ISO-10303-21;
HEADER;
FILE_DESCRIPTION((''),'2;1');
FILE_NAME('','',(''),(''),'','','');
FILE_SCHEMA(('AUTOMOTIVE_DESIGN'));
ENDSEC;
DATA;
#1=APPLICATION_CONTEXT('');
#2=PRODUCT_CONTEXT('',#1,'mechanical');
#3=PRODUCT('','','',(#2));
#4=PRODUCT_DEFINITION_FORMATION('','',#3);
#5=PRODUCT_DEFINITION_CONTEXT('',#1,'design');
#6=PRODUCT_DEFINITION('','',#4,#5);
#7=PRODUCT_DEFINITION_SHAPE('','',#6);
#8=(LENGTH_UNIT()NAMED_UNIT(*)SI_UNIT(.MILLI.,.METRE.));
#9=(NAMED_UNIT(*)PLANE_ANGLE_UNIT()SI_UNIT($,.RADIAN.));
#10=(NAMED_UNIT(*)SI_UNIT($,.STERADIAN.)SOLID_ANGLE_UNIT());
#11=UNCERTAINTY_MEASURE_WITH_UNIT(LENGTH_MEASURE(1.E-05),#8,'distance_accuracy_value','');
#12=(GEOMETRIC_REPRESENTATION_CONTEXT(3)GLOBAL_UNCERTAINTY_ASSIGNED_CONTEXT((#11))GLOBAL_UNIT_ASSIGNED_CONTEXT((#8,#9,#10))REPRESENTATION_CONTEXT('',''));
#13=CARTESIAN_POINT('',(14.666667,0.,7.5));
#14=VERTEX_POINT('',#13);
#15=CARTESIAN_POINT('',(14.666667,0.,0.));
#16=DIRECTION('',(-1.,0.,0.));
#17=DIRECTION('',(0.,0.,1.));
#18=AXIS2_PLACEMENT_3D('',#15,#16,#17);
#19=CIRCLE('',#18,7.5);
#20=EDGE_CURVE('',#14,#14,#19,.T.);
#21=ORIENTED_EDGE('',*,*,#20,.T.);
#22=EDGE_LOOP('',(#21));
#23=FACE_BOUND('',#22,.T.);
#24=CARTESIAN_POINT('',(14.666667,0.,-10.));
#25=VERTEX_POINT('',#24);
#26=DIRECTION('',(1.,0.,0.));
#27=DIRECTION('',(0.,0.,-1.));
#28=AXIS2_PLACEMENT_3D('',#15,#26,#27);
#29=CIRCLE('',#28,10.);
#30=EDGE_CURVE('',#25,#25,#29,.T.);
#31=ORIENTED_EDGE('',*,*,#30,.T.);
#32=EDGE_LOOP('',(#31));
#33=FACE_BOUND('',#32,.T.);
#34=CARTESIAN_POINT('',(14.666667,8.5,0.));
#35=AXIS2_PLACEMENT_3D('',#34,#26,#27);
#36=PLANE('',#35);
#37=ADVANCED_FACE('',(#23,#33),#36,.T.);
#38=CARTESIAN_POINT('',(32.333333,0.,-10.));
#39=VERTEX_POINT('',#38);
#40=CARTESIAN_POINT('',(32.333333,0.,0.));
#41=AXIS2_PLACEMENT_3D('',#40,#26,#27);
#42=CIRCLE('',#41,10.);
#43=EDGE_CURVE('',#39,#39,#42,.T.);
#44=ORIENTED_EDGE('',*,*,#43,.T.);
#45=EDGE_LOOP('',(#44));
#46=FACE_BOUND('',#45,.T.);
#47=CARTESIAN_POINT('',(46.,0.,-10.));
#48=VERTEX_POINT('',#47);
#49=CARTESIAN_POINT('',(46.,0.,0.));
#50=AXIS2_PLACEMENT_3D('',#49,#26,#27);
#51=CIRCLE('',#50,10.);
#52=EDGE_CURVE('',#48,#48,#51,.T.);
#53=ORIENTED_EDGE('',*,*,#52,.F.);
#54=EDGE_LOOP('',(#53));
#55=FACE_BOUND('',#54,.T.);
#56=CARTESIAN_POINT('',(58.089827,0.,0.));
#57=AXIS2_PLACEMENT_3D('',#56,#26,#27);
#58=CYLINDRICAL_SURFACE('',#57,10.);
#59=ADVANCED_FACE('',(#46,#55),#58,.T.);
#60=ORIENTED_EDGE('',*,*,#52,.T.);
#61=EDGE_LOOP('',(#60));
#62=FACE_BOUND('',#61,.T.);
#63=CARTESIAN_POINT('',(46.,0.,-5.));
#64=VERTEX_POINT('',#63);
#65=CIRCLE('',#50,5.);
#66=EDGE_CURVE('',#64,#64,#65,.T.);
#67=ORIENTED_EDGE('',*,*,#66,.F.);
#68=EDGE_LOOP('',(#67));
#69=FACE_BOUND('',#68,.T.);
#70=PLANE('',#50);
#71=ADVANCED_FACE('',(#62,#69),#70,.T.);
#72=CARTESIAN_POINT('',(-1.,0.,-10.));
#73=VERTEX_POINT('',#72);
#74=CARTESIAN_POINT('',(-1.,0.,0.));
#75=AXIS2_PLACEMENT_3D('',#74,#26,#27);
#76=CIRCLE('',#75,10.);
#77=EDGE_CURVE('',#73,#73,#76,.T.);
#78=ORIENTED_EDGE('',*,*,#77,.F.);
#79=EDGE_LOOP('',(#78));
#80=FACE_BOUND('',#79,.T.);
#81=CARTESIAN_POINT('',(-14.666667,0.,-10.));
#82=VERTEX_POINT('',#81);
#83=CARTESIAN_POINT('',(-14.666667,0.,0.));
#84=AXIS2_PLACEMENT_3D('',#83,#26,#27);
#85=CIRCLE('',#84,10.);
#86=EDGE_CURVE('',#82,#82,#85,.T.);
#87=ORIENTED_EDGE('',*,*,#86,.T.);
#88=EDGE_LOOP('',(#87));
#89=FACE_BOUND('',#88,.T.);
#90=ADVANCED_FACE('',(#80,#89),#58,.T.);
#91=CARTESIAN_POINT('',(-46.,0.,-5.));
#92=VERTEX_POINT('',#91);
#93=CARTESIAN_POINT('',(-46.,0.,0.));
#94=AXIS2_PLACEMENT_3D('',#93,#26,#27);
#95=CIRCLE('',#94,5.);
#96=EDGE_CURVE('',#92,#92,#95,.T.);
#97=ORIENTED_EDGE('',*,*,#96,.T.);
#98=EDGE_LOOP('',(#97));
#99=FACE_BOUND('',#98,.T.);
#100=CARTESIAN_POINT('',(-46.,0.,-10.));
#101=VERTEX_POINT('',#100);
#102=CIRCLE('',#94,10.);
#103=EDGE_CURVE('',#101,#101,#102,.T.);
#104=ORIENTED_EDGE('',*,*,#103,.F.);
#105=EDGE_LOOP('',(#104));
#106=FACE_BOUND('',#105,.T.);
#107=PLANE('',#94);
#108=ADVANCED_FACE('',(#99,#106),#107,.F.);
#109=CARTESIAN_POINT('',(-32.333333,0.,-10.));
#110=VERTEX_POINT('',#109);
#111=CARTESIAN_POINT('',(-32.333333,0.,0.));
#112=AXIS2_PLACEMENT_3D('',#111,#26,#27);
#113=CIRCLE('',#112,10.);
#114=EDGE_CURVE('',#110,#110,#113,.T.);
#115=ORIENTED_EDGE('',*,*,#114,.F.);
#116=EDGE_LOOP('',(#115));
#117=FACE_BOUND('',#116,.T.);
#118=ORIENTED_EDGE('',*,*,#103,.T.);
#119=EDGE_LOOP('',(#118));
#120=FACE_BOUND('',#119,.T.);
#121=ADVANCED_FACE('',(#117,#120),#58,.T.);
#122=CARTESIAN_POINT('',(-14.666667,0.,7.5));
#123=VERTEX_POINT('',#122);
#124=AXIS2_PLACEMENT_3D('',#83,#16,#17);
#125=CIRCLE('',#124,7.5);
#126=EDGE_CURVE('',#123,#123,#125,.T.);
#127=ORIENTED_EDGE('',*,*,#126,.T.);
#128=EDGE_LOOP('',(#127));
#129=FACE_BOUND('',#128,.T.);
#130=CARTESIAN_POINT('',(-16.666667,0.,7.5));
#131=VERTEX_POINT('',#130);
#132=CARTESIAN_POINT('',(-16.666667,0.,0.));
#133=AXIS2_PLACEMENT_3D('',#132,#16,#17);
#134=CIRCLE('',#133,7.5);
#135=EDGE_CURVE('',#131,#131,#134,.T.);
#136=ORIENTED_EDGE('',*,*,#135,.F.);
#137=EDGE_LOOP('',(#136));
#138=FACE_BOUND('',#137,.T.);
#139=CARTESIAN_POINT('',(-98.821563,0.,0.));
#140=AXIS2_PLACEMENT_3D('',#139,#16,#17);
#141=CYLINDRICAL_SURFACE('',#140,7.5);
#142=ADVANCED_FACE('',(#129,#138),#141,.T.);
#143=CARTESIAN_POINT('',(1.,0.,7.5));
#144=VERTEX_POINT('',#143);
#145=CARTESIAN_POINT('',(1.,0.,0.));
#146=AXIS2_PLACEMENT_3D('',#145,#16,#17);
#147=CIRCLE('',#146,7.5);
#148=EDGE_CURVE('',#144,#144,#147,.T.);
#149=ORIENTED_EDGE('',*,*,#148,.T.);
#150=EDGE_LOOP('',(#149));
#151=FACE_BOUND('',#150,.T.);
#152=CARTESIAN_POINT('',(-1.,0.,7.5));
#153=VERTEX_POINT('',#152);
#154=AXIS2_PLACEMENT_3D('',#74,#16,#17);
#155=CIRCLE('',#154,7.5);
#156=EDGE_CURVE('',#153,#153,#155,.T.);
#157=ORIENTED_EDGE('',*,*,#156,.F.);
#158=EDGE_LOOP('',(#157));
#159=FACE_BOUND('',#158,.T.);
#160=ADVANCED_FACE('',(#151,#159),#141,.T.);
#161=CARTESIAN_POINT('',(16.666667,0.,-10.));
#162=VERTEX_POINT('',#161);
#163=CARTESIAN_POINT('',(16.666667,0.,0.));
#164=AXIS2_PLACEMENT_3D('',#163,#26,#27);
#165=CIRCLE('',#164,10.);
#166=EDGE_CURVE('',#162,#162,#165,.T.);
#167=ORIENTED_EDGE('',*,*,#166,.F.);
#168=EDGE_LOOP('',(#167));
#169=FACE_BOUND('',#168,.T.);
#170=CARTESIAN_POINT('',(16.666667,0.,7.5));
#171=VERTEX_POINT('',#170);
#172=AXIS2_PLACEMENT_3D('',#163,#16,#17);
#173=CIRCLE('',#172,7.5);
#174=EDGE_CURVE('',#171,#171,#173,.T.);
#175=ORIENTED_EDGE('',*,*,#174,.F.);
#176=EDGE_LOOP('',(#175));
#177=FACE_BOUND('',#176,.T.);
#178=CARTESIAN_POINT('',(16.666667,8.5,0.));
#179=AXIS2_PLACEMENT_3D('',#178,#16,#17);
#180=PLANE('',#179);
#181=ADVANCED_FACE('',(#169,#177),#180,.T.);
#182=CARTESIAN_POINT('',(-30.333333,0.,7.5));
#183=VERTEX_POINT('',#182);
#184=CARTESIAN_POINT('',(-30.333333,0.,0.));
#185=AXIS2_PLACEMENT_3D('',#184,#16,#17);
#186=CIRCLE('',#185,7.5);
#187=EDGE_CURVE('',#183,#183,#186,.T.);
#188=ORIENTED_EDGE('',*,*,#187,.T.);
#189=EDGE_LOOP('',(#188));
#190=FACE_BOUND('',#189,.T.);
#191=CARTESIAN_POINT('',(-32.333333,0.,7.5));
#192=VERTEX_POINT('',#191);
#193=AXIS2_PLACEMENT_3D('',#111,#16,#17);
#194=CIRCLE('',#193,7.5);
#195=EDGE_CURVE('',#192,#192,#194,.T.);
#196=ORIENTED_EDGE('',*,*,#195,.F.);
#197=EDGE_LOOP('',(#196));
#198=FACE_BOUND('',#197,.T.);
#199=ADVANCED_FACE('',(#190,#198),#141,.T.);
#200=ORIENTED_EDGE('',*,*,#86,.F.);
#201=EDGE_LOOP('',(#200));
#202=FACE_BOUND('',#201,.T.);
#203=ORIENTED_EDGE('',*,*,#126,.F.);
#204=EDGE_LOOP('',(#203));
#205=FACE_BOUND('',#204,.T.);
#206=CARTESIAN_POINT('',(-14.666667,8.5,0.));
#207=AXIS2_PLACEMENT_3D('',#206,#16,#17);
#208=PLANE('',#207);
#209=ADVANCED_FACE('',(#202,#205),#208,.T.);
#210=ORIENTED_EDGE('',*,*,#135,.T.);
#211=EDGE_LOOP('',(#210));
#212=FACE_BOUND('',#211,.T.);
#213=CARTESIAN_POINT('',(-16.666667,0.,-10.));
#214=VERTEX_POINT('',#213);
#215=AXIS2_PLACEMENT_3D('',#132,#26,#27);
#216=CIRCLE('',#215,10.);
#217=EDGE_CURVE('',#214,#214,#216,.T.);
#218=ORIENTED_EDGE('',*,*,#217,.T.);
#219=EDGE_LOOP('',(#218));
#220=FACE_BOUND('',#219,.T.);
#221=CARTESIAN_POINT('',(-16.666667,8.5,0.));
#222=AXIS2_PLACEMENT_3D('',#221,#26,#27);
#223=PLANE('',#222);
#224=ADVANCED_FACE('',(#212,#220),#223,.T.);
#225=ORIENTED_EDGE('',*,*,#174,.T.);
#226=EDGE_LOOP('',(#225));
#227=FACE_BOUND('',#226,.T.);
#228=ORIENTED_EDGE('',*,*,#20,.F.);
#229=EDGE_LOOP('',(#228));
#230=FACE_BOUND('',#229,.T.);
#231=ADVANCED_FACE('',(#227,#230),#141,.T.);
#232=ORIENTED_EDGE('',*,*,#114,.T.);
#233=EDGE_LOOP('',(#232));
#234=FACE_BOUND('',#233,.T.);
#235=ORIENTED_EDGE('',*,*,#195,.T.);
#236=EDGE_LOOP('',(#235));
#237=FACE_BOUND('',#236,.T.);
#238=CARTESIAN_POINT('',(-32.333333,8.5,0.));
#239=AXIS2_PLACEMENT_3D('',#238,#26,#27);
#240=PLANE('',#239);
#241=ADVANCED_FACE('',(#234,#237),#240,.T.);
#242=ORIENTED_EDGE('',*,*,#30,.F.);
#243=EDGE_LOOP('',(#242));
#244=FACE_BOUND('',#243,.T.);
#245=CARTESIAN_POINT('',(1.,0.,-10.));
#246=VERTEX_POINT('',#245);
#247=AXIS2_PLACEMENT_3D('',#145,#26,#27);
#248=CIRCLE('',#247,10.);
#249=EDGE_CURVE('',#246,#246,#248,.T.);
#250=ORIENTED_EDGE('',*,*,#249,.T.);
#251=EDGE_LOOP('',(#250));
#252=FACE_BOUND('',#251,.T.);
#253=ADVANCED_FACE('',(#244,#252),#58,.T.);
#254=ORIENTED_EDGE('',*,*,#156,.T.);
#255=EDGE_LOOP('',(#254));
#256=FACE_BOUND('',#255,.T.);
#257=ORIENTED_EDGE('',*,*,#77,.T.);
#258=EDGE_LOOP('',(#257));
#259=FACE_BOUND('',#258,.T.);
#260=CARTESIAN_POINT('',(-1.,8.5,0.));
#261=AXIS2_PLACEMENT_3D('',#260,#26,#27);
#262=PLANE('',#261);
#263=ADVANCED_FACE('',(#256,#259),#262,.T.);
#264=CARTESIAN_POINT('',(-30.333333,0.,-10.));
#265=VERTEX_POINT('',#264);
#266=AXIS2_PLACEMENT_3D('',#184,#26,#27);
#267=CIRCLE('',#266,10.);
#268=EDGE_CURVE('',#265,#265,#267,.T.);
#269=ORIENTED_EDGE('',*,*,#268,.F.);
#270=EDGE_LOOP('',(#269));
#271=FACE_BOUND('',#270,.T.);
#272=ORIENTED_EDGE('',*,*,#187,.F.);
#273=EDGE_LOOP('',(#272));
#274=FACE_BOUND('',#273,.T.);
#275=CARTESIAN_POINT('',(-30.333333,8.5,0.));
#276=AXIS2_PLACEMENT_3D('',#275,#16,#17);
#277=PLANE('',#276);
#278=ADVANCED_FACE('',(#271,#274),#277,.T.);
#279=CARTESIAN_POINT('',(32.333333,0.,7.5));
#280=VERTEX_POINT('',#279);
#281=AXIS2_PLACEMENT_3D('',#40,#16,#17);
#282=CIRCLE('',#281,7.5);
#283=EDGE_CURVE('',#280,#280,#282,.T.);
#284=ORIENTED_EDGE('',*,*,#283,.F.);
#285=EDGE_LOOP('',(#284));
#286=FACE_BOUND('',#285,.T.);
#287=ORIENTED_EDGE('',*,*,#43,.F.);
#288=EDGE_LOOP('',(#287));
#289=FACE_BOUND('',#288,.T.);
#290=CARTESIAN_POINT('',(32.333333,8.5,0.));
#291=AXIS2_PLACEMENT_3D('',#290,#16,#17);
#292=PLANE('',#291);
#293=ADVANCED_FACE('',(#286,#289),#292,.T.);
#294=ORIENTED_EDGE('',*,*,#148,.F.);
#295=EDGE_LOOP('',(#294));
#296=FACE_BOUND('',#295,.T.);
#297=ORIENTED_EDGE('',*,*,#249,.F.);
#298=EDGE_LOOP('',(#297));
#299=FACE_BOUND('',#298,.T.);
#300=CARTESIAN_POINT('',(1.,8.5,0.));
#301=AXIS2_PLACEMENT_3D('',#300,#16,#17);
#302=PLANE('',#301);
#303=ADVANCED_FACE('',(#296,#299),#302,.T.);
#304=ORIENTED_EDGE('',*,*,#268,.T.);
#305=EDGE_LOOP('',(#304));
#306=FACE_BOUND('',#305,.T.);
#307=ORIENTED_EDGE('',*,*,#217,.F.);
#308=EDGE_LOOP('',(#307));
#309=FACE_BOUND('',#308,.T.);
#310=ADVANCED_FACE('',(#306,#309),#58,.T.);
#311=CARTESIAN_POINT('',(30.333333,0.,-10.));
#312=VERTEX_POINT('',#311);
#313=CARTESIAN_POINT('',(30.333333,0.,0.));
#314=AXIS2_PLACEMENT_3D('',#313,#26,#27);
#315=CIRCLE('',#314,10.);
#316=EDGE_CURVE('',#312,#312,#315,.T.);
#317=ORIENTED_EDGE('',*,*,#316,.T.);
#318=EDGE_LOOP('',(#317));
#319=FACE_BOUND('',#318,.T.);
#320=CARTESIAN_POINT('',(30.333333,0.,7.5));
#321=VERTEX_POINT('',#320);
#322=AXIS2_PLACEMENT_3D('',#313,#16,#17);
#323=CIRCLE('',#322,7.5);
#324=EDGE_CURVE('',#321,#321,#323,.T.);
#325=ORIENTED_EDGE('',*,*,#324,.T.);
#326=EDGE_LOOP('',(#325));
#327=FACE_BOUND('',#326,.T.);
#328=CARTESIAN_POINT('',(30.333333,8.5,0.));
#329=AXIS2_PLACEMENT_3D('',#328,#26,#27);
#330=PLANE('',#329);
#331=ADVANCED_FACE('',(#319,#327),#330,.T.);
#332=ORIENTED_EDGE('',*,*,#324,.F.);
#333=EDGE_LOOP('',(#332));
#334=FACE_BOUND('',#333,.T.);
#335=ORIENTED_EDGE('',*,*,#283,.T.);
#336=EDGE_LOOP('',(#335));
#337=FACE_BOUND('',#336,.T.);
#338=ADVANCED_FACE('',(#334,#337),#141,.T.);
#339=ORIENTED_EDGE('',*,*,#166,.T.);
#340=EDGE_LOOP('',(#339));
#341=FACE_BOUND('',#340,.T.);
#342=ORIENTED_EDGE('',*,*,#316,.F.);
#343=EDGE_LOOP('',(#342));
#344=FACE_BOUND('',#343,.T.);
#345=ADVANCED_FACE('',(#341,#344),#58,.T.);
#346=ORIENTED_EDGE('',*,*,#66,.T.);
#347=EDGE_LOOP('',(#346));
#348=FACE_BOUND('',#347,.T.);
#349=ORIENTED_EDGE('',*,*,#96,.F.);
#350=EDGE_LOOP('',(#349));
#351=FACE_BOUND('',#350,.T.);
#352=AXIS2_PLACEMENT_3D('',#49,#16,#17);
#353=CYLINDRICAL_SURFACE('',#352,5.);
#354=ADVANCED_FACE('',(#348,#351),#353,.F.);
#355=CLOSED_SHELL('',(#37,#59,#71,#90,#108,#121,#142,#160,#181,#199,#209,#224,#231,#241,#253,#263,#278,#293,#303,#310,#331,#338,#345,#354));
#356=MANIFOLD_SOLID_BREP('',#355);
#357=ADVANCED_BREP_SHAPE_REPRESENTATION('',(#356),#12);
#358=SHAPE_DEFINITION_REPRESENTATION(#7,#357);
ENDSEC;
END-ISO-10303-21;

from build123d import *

# Parameters (mm, degrees)
SKETCH_1_R      = 8.5
SKETCH_1_R_2    = 5
EXTRUDE_1_DEPTH = 46
SKETCH_3_W      = 2
SKETCH_3_H      = 1
SKETCH_4_W      = 13.666666667
SKETCH_4_H      = 1.5
SKETCH_4_W_2    = 13.666666666


with BuildPart() as part:
    # 草圖1 → 填料-伸長1 (new body, symmetric)
    with BuildSketch(Plane(origin=(0, 0, 0), x_dir=(0, 0, -1), z_dir=(1, 0, 0))):
        Circle(SKETCH_1_R)
        Circle(SKETCH_1_R_2, mode=Mode.SUBTRACT)
    extrude(amount=EXTRUDE_1_DEPTH, both=True)

    # 草圖3 → 除料-旋轉1 (revolve, cut)
    with BuildSketch(Plane.XY):
        with Locations((31.333333333, 8)):
            Rectangle(SKETCH_3_W, SKETCH_3_H)
        with Locations((15.666666667, 8)):
            Rectangle(SKETCH_3_W, SKETCH_3_H)
        with Locations((0, 8)):
            Rectangle(SKETCH_3_W, SKETCH_3_H)
        with Locations((-15.666666667, 8)):
            Rectangle(SKETCH_3_W, SKETCH_3_H)
        with Locations((-31.333333333, 8)):
            Rectangle(SKETCH_3_W, SKETCH_3_H)
    revolve(axis=Axis((-98.82156335, 0, 0), (1, 0, 0)), mode=Mode.SUBTRACT)

    # 草圖4 → 旋轉2 (revolve)
    with BuildSketch(Plane.XY):
        with Locations((-39.166666666, 9.25)):
            Rectangle(SKETCH_4_W, SKETCH_4_H)
        with Locations((-23.5, 9.25)):
            Rectangle(SKETCH_4_W_2, SKETCH_4_H)
        with Locations((-7.833333334, 9.25)):
            Rectangle(SKETCH_4_W, SKETCH_4_H)
        with Locations((7.833333334, 9.25)):
            Rectangle(SKETCH_4_W, SKETCH_4_H)
        with Locations((23.5, 9.25)):
            Rectangle(SKETCH_4_W_2, SKETCH_4_H)
        with Locations((39.166666666, 9.25)):
            Rectangle(SKETCH_4_W, SKETCH_4_H)
    revolve(axis=Axis((58.089826766, 0, 0), (-1, 0, 0)))


solid = part.part
